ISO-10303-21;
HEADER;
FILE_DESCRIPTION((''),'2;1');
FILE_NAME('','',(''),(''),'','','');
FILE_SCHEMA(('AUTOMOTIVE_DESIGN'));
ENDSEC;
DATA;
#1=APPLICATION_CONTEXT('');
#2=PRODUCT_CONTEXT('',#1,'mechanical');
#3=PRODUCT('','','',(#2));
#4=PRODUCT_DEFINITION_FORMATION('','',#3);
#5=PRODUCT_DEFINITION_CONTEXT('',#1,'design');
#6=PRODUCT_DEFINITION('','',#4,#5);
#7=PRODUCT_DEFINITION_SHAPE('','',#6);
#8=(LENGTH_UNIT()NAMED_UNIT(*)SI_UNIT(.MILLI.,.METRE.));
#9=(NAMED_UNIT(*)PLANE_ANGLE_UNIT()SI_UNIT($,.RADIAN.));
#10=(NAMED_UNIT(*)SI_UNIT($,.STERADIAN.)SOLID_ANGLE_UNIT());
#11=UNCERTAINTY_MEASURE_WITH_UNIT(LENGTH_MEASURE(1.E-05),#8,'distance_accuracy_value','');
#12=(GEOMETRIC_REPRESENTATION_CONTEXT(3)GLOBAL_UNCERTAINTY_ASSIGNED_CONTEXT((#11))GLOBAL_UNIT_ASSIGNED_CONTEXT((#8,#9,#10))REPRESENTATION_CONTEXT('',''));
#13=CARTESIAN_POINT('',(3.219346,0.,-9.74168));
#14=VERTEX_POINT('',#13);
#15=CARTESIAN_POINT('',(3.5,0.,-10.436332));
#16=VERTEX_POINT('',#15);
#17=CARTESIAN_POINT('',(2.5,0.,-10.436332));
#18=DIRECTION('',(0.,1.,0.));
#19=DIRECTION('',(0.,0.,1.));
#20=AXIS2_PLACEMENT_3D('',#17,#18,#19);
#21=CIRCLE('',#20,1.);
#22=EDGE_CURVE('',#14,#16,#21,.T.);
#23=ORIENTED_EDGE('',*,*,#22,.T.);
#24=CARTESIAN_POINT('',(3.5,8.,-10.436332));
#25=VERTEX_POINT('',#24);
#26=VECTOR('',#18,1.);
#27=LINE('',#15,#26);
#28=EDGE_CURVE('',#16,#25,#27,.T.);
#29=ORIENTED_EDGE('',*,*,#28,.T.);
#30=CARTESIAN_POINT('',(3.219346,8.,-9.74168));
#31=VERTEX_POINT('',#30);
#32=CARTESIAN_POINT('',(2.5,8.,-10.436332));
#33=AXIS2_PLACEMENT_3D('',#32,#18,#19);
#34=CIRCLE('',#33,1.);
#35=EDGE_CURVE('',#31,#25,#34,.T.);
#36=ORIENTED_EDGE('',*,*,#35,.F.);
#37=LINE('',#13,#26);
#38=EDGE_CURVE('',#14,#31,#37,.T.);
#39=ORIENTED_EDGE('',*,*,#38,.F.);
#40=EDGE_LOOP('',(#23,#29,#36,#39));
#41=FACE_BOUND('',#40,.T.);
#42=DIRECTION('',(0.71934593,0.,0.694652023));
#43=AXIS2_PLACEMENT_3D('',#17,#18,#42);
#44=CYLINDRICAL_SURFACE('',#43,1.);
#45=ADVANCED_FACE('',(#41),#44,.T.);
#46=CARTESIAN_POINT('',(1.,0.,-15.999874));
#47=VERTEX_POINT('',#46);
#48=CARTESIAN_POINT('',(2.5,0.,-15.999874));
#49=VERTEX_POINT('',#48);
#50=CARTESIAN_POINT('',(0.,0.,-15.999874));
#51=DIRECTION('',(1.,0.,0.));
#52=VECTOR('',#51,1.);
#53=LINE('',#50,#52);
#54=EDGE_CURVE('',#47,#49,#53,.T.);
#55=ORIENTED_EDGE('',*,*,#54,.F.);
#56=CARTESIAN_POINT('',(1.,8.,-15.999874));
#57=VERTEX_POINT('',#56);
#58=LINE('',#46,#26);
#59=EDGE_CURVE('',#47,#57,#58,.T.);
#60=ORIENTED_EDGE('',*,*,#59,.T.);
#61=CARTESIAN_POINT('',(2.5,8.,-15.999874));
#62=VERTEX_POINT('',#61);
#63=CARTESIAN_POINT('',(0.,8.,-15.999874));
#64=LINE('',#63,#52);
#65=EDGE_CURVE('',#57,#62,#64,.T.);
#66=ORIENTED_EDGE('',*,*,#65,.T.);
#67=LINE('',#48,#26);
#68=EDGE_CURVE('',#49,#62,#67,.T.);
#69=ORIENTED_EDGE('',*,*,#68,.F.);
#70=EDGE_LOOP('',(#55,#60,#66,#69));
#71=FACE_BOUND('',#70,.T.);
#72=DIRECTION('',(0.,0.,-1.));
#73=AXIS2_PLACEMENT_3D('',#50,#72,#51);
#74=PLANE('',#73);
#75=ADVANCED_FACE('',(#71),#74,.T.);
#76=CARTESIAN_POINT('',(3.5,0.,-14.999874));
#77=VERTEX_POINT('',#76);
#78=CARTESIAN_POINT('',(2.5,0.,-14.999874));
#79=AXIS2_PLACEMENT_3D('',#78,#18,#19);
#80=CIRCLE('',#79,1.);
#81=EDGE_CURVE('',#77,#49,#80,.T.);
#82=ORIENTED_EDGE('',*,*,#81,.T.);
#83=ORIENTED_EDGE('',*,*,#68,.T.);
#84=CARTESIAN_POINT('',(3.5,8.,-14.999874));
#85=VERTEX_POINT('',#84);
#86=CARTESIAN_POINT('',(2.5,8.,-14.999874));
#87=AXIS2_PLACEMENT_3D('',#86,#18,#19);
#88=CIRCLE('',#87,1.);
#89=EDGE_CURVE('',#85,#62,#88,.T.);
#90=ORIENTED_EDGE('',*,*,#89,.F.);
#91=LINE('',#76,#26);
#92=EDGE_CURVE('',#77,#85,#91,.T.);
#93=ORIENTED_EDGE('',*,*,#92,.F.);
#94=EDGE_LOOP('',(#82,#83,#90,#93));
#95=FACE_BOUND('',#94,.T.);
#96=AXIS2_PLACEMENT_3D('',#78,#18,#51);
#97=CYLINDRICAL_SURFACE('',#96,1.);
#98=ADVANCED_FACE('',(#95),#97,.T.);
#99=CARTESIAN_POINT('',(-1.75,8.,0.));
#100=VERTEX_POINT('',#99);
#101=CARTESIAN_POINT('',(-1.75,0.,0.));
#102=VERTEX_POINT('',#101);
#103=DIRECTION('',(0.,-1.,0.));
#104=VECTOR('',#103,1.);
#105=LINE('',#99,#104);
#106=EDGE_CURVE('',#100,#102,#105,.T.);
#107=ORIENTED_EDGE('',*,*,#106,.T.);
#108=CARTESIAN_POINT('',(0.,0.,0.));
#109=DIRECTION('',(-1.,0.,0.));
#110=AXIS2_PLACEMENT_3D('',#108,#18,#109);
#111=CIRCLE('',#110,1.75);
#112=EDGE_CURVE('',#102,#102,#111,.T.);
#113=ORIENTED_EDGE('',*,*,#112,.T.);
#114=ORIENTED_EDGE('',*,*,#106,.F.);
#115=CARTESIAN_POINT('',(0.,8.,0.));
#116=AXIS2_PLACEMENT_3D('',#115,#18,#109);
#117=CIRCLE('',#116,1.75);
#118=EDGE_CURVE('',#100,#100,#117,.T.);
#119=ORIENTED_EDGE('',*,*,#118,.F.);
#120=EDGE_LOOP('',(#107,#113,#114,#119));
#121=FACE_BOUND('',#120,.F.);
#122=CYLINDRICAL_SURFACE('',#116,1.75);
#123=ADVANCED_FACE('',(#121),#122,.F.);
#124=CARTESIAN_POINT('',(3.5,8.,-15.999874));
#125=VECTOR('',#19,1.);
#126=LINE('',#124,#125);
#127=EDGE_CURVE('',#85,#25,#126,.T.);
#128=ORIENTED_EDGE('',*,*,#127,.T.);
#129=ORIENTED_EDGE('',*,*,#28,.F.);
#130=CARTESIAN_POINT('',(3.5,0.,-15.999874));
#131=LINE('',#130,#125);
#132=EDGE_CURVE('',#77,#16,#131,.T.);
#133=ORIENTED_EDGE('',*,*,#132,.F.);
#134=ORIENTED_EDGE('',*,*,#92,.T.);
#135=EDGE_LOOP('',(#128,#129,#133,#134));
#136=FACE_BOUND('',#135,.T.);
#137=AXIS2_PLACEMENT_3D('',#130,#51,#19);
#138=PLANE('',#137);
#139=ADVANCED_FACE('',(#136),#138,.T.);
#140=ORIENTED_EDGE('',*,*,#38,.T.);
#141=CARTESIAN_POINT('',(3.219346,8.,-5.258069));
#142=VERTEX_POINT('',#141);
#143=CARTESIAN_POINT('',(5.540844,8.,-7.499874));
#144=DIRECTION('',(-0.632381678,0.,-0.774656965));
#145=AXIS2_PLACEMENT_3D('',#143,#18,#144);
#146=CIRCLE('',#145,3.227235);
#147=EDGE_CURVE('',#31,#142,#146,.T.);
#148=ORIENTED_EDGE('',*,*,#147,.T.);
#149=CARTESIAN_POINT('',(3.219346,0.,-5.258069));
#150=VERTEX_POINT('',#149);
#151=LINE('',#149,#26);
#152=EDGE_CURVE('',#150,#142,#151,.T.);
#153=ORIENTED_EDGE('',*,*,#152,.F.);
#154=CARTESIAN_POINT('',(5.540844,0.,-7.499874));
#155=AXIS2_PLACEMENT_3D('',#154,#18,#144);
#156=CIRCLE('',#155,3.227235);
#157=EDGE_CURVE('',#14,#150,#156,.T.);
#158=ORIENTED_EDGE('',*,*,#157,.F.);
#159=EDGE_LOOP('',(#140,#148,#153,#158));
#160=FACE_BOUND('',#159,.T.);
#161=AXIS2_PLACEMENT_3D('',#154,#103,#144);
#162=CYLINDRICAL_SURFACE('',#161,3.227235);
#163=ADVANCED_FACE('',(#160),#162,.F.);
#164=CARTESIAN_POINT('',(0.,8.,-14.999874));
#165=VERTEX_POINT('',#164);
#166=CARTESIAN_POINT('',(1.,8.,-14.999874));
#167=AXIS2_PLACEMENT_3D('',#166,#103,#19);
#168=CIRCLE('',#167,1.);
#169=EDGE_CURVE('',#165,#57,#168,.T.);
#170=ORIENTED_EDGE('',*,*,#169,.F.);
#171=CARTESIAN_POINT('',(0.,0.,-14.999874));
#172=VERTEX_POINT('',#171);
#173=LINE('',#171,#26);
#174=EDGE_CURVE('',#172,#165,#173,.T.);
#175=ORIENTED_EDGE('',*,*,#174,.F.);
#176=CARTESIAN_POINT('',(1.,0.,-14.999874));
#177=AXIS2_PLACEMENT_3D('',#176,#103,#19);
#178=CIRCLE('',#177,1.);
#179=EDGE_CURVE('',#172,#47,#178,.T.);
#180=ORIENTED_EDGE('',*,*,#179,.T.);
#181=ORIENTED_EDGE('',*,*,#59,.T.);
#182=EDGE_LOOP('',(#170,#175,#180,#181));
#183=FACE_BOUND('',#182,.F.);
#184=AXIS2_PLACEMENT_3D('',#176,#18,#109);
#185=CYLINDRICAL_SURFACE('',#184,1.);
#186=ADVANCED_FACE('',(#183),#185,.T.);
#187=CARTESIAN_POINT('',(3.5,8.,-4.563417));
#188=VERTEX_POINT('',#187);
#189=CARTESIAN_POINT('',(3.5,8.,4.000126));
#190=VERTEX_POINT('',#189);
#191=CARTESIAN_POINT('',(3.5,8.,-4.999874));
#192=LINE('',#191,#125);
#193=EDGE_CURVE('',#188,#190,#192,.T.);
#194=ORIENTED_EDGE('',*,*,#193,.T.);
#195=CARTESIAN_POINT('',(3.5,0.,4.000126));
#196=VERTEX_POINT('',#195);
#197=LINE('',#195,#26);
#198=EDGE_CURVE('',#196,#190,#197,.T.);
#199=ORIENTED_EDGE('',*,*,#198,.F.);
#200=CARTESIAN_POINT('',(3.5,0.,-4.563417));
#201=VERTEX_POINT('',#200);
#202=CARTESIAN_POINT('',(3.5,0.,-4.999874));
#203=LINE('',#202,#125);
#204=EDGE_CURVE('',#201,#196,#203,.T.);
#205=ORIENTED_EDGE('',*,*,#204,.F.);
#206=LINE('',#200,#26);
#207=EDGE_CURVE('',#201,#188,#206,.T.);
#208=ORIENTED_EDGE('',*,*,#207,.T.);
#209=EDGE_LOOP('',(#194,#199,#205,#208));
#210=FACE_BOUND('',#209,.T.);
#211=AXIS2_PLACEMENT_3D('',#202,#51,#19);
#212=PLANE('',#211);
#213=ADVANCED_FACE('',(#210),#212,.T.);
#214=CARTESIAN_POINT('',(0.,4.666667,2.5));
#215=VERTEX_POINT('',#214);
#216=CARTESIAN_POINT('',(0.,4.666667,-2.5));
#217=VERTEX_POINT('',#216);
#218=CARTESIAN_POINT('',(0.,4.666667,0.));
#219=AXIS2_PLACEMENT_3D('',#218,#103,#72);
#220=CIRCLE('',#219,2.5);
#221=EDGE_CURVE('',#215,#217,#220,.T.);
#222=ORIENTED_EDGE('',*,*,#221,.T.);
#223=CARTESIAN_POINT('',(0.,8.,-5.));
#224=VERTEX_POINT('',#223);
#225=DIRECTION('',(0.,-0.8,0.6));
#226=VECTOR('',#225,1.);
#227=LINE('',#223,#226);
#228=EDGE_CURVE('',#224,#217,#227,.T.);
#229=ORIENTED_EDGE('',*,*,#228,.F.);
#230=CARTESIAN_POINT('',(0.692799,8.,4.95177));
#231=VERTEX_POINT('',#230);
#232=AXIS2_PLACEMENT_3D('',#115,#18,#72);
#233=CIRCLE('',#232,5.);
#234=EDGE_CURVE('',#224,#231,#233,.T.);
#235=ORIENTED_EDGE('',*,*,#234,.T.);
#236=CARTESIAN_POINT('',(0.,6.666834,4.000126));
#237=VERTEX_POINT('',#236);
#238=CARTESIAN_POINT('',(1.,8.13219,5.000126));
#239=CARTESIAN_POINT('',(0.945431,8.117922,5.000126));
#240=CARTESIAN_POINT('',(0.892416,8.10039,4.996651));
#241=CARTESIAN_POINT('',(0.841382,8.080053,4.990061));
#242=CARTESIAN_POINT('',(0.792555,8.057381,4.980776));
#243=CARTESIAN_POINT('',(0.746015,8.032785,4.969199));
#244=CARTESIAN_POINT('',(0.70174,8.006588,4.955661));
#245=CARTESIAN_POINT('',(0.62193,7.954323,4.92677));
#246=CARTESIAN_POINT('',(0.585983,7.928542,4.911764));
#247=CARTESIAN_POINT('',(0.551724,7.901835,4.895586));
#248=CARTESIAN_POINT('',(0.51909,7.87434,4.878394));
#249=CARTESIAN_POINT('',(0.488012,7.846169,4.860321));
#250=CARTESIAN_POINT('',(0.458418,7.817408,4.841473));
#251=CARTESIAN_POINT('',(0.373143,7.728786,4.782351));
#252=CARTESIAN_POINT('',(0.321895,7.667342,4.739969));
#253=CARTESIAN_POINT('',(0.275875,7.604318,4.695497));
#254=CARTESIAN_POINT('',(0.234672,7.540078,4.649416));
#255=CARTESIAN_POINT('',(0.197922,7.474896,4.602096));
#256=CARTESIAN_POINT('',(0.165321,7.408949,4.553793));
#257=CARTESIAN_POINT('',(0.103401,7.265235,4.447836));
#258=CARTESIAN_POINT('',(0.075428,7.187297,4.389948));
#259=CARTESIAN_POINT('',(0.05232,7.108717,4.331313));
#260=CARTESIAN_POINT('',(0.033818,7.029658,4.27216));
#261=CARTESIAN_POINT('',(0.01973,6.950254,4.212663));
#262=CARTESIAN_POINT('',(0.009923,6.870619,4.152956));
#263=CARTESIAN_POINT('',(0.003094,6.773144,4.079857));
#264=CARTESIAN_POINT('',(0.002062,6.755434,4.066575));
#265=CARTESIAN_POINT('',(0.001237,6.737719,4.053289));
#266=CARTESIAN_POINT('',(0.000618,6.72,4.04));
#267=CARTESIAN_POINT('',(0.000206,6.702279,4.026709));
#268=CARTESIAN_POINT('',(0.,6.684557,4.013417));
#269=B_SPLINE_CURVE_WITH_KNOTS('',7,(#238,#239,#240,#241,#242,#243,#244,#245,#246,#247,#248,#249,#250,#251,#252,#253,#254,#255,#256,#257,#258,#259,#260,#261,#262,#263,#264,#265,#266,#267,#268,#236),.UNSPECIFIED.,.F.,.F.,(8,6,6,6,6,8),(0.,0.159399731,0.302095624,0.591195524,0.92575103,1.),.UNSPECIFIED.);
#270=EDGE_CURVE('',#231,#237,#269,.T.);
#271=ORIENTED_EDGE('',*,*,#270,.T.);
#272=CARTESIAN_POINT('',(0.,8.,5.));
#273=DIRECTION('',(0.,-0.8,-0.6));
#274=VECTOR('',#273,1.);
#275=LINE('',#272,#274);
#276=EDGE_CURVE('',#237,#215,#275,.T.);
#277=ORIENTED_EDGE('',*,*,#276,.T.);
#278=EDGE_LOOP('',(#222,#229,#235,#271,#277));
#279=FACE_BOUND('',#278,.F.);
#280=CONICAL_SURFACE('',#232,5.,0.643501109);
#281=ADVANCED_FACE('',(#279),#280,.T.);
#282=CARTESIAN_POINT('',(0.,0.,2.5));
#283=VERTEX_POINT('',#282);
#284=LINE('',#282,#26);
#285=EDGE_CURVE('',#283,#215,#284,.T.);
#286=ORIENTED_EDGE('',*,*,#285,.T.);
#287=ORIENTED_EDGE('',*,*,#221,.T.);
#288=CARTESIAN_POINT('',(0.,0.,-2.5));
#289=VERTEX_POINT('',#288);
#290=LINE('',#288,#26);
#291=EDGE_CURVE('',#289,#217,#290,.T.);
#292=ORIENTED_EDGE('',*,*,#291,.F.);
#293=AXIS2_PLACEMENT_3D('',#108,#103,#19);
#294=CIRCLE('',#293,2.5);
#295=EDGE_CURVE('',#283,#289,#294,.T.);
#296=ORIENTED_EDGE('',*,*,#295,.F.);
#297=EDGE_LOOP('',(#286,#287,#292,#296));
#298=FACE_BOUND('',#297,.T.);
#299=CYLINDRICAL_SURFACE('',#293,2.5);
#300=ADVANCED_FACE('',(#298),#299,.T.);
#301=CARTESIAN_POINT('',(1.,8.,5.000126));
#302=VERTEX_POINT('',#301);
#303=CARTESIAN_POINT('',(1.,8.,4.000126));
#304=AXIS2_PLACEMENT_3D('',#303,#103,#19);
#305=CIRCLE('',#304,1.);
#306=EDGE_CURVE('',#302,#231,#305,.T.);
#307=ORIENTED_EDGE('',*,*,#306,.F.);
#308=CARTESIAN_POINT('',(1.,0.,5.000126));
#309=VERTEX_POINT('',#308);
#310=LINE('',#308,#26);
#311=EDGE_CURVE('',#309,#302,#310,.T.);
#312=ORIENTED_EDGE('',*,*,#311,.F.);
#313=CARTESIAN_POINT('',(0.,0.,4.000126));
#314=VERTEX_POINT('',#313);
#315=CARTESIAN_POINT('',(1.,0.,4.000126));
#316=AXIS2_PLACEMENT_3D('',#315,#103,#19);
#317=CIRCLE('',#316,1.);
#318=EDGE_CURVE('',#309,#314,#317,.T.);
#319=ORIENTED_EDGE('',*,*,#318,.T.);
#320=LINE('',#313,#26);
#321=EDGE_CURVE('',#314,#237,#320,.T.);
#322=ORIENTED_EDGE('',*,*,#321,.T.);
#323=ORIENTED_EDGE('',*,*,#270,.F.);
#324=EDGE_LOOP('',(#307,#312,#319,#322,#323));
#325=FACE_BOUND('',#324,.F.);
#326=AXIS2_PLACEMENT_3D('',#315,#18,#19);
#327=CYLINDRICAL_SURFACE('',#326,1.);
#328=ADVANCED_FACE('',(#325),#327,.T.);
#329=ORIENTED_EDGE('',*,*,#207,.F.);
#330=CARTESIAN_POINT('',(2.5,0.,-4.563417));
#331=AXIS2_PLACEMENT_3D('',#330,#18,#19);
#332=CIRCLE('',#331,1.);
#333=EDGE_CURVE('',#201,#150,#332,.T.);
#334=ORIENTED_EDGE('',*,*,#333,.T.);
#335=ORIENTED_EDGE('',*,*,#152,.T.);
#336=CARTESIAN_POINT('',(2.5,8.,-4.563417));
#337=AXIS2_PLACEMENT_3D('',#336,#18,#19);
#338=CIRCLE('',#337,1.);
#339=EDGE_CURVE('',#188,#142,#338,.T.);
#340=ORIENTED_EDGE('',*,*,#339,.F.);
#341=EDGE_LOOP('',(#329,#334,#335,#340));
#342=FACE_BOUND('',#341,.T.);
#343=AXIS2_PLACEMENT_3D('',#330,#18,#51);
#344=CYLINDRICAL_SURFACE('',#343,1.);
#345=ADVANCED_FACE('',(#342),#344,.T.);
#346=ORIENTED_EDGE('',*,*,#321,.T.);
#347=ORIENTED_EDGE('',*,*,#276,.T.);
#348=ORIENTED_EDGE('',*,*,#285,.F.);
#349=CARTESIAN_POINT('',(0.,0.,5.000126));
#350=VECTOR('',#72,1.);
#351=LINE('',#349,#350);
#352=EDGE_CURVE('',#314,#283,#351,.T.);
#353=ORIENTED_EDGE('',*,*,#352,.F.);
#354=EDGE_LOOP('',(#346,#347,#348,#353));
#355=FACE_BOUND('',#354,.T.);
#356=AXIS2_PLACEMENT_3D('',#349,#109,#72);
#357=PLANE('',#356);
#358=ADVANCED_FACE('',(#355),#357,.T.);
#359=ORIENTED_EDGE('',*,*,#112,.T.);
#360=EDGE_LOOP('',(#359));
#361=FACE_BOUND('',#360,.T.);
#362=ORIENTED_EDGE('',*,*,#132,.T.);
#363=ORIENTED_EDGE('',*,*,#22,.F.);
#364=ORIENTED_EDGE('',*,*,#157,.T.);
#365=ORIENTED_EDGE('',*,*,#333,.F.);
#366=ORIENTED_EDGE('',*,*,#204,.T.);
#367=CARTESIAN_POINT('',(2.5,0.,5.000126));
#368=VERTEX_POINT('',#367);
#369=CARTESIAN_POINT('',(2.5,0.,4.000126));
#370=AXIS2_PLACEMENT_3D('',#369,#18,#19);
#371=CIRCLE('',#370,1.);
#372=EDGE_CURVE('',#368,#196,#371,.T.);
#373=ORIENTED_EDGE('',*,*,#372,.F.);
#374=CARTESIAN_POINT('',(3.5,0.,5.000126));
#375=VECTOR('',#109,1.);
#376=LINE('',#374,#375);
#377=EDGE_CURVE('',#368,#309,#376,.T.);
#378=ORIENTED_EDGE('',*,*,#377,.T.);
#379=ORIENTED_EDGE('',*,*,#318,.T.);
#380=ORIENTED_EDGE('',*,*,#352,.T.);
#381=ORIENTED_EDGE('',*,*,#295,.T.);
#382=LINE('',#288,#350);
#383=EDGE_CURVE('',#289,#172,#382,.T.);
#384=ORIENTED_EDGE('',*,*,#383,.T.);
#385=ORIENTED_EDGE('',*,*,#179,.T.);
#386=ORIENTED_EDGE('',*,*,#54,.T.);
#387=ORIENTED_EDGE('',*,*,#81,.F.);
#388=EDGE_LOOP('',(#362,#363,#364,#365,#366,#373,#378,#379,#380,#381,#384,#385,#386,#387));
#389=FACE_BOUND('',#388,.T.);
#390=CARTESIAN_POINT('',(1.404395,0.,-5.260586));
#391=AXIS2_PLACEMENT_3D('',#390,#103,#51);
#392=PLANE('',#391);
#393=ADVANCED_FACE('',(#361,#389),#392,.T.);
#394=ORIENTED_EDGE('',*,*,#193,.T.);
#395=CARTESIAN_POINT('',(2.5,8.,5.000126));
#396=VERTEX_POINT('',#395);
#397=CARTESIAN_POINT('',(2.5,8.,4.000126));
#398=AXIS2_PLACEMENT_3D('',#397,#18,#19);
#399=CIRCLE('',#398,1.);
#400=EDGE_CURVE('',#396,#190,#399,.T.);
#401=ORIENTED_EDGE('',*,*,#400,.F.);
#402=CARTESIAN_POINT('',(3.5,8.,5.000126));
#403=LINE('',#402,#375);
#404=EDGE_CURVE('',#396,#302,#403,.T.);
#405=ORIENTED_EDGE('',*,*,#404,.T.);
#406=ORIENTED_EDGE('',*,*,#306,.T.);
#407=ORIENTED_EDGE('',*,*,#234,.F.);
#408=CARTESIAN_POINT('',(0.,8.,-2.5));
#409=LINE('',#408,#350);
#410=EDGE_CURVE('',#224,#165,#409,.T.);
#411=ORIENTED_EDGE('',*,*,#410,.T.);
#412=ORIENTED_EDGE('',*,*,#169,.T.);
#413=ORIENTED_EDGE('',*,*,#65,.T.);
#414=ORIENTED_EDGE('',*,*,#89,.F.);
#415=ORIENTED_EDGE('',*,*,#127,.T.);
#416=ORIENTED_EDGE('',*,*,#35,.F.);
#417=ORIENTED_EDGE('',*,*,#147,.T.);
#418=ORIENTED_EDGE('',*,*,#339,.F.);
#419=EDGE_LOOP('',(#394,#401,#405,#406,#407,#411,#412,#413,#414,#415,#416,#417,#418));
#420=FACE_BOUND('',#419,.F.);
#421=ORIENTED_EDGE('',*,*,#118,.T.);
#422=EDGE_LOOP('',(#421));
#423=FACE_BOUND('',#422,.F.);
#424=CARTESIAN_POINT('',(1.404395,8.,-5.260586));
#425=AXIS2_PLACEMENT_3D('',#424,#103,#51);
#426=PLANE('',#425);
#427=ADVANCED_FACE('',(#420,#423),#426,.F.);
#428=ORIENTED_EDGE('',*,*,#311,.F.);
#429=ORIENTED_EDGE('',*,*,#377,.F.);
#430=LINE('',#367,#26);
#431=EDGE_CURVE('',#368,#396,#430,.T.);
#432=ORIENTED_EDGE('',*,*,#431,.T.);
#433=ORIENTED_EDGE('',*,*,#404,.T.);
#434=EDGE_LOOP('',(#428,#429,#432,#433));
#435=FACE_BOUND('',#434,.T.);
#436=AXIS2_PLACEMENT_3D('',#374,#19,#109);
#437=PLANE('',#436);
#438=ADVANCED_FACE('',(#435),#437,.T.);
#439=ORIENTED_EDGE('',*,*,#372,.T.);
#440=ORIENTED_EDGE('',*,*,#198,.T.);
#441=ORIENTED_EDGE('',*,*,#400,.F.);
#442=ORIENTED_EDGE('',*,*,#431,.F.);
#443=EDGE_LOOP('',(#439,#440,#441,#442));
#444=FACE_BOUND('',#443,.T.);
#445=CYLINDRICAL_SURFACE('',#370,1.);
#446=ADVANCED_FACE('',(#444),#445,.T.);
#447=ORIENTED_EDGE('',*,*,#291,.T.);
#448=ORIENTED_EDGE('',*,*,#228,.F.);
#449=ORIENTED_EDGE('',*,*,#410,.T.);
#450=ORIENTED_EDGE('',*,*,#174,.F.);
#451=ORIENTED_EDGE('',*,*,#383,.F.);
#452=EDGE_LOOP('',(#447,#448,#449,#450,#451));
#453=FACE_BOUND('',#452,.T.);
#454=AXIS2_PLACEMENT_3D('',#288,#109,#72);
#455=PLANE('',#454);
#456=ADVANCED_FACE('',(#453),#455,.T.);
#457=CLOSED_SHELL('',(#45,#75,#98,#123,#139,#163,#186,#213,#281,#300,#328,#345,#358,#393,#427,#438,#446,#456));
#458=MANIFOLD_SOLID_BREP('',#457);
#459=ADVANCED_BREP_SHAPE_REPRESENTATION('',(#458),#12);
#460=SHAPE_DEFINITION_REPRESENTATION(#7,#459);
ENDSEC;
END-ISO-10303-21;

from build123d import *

# Parameters (mm, degrees)
F1_ANGLE_BACK = 90
F1_ANGLE      = 180
F4_DEPTH      = 8
F5_R          = 1.75
F6_DEPTH      = 25
F7_R          = 1
F8_R          = 1


with BuildPart() as f1:
    # F0 (on Top) → F1 (revolve)
    with BuildSketch(Plane.XY, mode=Mode.PRIVATE) as f1_sk:
        Polygon((0, 0), (0, 8), (-5, 8), (-1, 2.6666666667), (-1, 0), align=None)
    revolve(f1_sk.sketch.rotate(Axis((0, 4, 0), (0, 1, 0)), -F1_ANGLE_BACK), axis=Axis((0, 4, 0), (0, 1, 0)), revolution_arc=F1_ANGLE)

    # F3 (on Front) → F4 (join)
    with BuildSketch(Plane.XZ):
        with BuildLine():
            Line((3.5, 5.0001256168), (0, 5.0001256168))
            Line((0, 5.0001256168), (0, 2.5))
            ThreePointArc((0, 2.5), (-2.5, 0), (0, -2.5))
            Line((0, -2.5), (0, -15.9998743832))
            Line((0, -15.9998743832), (3.5, -15.9998743832))
            Line((3.5, -15.9998743832), (3.5, -9.9998743832))
            ThreePointArc((3.5, -9.9998743832), (2.3136093185, -7.4998743832), (3.5, -4.9998743832))
            Line((3.5, -4.9998743832), (3.5, 5.0001256168))
        make_face()
    extrude(amount=-F4_DEPTH)

    # F5 (on face) → F6 (cut)
    with BuildSketch(Plane(origin=(0, 8, 0), x_dir=(-1, 0, 0), z_dir=(0, 1, 0))):
        Circle(F5_R)
    extrude(amount=-F6_DEPTH, mode=Mode.SUBTRACT)

    # F7
    f7_edges = [f1.edges().sort_by_distance(p)[0] for p in [
        (3.5, 4, 5.000126),
        (0, 4, -15.999874),
        (3.5, 4, -15.999874),
        (3.5, 4, -9.999874),
        (3.5, 4, -4.999874),
    ]]
    fillet(f7_edges, radius=F7_R)

    # F8
    f8_edges = [f1.edges().sort_by_distance(p)[0] for p in [
        (0, 4, 5.000126),
    ]]
    fillet(f8_edges, radius=F8_R)


solid = f1.part
